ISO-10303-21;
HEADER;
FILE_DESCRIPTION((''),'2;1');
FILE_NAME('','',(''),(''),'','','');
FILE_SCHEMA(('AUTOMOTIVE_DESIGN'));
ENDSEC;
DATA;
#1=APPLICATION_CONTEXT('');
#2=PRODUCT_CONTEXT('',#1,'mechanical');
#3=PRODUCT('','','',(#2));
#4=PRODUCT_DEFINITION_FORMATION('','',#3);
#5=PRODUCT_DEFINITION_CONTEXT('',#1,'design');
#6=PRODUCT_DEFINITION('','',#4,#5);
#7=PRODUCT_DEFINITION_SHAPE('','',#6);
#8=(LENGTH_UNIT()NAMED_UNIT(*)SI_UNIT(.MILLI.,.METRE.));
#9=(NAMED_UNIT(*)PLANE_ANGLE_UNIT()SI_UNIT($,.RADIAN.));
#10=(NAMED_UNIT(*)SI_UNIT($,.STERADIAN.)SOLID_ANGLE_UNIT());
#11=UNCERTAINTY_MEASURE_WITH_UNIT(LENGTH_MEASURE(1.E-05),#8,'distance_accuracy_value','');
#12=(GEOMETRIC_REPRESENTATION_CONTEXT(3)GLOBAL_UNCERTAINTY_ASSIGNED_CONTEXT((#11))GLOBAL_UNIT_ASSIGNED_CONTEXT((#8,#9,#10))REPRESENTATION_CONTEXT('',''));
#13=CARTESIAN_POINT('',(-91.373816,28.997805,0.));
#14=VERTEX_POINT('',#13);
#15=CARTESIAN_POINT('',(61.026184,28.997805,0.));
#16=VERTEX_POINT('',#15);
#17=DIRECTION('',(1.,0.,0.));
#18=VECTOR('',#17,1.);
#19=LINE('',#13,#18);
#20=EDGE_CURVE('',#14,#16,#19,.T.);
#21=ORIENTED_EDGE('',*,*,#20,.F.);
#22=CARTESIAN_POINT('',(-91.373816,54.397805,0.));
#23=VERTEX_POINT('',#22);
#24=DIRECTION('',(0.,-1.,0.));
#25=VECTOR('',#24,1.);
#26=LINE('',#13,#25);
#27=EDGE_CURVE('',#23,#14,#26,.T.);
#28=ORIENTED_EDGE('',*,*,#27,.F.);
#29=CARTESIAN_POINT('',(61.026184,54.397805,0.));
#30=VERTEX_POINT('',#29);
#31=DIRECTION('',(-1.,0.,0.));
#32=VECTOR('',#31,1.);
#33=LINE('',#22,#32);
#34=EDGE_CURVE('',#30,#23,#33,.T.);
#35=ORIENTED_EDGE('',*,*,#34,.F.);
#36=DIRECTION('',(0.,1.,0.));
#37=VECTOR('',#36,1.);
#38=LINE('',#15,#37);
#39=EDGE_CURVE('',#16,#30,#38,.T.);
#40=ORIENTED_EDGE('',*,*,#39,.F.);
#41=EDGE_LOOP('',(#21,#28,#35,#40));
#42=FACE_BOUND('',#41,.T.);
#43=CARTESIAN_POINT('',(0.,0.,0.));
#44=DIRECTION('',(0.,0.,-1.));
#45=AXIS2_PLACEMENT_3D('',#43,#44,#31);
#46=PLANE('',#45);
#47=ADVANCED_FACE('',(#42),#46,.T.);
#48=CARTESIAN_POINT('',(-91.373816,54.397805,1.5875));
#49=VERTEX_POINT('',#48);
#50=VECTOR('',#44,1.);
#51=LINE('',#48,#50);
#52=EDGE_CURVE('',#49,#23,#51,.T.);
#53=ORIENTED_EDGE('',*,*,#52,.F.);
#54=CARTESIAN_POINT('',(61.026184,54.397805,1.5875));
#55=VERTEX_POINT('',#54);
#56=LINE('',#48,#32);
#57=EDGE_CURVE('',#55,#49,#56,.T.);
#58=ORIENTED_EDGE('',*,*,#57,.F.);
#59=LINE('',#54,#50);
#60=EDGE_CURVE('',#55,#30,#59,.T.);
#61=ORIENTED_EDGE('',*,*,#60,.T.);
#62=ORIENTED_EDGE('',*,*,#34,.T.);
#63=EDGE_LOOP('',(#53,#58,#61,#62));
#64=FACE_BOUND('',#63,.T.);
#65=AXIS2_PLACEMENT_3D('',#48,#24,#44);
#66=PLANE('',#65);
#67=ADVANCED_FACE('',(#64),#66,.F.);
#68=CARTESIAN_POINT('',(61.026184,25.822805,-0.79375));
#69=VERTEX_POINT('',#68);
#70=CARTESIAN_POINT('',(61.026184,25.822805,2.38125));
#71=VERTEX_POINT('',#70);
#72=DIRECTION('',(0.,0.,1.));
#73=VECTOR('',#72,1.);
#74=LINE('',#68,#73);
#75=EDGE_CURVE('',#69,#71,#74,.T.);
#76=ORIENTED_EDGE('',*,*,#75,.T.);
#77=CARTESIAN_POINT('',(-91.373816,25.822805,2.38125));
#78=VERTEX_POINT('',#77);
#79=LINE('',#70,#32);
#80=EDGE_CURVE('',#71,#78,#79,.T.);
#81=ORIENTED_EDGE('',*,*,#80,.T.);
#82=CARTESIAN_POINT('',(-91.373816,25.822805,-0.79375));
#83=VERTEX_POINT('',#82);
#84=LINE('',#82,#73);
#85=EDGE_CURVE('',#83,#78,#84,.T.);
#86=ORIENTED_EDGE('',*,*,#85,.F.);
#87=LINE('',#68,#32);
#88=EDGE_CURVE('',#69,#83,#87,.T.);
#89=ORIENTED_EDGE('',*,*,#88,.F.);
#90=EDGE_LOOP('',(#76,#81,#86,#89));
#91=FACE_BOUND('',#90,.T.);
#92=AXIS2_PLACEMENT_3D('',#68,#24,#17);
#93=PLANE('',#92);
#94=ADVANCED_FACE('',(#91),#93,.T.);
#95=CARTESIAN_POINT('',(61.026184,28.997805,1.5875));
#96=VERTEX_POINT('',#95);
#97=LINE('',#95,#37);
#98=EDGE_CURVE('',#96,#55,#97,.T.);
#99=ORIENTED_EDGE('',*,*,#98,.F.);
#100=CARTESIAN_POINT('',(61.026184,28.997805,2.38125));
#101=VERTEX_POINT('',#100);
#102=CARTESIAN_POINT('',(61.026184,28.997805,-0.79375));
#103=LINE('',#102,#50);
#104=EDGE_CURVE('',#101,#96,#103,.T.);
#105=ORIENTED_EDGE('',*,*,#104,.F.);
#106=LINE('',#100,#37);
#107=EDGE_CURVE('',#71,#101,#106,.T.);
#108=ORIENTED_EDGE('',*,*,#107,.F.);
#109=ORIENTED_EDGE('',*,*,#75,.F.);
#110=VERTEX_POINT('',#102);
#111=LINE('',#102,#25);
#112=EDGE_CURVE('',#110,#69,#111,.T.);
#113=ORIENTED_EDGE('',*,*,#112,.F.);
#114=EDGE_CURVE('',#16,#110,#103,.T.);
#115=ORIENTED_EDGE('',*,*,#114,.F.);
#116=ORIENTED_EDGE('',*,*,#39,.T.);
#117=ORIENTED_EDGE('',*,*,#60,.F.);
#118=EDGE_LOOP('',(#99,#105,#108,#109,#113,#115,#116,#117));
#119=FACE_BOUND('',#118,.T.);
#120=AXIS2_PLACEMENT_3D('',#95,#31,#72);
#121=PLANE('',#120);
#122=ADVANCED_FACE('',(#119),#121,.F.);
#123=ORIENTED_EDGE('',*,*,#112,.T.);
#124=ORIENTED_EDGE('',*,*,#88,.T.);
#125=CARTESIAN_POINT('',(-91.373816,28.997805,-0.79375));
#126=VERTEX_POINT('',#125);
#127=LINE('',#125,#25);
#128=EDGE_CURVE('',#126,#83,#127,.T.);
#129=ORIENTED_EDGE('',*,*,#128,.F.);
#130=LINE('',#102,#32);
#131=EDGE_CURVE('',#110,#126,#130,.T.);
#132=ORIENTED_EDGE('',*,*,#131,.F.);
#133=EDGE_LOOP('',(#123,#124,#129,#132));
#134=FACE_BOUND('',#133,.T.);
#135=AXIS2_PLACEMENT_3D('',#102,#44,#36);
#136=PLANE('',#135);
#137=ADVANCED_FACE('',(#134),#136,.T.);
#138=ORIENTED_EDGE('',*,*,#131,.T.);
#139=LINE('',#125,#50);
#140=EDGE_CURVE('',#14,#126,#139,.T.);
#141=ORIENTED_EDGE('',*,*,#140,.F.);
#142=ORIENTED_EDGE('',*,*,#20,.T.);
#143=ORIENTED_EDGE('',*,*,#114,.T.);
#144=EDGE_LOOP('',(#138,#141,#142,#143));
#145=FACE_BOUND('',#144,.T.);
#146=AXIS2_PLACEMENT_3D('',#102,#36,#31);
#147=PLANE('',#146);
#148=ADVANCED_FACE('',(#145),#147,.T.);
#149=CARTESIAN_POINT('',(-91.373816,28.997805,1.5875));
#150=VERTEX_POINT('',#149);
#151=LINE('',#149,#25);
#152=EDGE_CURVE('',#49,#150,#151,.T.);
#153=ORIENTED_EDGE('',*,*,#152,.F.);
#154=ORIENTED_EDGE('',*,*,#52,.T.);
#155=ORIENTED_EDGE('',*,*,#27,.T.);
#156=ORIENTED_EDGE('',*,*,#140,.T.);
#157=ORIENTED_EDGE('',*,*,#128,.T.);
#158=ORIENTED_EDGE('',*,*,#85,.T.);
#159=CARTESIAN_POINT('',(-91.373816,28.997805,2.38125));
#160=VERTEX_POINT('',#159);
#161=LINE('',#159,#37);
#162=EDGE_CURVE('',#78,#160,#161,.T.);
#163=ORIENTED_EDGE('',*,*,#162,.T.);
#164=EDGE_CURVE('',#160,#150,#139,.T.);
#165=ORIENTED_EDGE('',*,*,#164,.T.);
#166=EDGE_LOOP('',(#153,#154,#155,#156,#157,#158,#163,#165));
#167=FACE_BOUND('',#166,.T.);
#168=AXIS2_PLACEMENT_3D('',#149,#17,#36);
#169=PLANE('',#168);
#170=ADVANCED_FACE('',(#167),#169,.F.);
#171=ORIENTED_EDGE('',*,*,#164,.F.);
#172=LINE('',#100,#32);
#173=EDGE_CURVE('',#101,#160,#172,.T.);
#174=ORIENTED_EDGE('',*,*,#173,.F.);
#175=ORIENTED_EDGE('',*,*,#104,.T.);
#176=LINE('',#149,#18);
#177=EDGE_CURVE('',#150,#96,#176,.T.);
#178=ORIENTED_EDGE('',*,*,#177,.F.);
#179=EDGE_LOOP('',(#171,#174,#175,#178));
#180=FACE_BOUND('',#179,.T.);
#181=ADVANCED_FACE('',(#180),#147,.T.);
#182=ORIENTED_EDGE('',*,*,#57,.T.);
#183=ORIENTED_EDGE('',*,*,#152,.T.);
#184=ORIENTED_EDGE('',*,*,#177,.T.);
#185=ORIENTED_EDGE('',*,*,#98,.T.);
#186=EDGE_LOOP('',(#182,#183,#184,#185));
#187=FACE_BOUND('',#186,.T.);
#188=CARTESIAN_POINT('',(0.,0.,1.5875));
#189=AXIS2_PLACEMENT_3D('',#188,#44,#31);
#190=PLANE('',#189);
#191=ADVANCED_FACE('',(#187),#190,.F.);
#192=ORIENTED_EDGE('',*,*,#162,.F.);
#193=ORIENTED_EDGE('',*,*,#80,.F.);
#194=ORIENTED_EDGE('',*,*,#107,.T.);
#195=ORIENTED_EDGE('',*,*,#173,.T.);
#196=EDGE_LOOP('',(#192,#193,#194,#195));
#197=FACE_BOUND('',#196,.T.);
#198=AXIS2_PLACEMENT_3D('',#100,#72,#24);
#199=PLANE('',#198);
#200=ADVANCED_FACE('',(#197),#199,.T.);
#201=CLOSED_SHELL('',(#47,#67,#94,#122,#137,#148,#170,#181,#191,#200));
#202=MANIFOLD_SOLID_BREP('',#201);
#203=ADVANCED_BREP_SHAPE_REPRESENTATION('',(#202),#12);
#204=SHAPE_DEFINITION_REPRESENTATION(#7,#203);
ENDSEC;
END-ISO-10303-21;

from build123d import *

# Parameters (mm, degrees)
SKETCH1_W           = 152.4
SKETCH1_H           = 25.4
BOSS_EXTRUDE1_DEPTH = 1.5875
SKETCH2_W           = 3.175
SKETCH2_H           = 3.175
BOSS_EXTRUDE2_DEPTH = 152.4


with BuildPart() as part:
    # Sketch1 → Boss-Extrude1 (new body)
    with BuildSketch(Plane.XY):
        with Locations((-15.173816053, 41.697804783)):
            Rectangle(SKETCH1_W, SKETCH1_H)
    extrude(amount=BOSS_EXTRUDE1_DEPTH)

    # Sketch2 → Boss-Extrude2 (add)
    with BuildSketch(Plane.ZY.offset(91.373816053)):
        with Locations((0.79375, 27.410304783)):
            Rectangle(SKETCH2_W, SKETCH2_H)
    extrude(amount=-BOSS_EXTRUDE2_DEPTH)


solid = part.part
